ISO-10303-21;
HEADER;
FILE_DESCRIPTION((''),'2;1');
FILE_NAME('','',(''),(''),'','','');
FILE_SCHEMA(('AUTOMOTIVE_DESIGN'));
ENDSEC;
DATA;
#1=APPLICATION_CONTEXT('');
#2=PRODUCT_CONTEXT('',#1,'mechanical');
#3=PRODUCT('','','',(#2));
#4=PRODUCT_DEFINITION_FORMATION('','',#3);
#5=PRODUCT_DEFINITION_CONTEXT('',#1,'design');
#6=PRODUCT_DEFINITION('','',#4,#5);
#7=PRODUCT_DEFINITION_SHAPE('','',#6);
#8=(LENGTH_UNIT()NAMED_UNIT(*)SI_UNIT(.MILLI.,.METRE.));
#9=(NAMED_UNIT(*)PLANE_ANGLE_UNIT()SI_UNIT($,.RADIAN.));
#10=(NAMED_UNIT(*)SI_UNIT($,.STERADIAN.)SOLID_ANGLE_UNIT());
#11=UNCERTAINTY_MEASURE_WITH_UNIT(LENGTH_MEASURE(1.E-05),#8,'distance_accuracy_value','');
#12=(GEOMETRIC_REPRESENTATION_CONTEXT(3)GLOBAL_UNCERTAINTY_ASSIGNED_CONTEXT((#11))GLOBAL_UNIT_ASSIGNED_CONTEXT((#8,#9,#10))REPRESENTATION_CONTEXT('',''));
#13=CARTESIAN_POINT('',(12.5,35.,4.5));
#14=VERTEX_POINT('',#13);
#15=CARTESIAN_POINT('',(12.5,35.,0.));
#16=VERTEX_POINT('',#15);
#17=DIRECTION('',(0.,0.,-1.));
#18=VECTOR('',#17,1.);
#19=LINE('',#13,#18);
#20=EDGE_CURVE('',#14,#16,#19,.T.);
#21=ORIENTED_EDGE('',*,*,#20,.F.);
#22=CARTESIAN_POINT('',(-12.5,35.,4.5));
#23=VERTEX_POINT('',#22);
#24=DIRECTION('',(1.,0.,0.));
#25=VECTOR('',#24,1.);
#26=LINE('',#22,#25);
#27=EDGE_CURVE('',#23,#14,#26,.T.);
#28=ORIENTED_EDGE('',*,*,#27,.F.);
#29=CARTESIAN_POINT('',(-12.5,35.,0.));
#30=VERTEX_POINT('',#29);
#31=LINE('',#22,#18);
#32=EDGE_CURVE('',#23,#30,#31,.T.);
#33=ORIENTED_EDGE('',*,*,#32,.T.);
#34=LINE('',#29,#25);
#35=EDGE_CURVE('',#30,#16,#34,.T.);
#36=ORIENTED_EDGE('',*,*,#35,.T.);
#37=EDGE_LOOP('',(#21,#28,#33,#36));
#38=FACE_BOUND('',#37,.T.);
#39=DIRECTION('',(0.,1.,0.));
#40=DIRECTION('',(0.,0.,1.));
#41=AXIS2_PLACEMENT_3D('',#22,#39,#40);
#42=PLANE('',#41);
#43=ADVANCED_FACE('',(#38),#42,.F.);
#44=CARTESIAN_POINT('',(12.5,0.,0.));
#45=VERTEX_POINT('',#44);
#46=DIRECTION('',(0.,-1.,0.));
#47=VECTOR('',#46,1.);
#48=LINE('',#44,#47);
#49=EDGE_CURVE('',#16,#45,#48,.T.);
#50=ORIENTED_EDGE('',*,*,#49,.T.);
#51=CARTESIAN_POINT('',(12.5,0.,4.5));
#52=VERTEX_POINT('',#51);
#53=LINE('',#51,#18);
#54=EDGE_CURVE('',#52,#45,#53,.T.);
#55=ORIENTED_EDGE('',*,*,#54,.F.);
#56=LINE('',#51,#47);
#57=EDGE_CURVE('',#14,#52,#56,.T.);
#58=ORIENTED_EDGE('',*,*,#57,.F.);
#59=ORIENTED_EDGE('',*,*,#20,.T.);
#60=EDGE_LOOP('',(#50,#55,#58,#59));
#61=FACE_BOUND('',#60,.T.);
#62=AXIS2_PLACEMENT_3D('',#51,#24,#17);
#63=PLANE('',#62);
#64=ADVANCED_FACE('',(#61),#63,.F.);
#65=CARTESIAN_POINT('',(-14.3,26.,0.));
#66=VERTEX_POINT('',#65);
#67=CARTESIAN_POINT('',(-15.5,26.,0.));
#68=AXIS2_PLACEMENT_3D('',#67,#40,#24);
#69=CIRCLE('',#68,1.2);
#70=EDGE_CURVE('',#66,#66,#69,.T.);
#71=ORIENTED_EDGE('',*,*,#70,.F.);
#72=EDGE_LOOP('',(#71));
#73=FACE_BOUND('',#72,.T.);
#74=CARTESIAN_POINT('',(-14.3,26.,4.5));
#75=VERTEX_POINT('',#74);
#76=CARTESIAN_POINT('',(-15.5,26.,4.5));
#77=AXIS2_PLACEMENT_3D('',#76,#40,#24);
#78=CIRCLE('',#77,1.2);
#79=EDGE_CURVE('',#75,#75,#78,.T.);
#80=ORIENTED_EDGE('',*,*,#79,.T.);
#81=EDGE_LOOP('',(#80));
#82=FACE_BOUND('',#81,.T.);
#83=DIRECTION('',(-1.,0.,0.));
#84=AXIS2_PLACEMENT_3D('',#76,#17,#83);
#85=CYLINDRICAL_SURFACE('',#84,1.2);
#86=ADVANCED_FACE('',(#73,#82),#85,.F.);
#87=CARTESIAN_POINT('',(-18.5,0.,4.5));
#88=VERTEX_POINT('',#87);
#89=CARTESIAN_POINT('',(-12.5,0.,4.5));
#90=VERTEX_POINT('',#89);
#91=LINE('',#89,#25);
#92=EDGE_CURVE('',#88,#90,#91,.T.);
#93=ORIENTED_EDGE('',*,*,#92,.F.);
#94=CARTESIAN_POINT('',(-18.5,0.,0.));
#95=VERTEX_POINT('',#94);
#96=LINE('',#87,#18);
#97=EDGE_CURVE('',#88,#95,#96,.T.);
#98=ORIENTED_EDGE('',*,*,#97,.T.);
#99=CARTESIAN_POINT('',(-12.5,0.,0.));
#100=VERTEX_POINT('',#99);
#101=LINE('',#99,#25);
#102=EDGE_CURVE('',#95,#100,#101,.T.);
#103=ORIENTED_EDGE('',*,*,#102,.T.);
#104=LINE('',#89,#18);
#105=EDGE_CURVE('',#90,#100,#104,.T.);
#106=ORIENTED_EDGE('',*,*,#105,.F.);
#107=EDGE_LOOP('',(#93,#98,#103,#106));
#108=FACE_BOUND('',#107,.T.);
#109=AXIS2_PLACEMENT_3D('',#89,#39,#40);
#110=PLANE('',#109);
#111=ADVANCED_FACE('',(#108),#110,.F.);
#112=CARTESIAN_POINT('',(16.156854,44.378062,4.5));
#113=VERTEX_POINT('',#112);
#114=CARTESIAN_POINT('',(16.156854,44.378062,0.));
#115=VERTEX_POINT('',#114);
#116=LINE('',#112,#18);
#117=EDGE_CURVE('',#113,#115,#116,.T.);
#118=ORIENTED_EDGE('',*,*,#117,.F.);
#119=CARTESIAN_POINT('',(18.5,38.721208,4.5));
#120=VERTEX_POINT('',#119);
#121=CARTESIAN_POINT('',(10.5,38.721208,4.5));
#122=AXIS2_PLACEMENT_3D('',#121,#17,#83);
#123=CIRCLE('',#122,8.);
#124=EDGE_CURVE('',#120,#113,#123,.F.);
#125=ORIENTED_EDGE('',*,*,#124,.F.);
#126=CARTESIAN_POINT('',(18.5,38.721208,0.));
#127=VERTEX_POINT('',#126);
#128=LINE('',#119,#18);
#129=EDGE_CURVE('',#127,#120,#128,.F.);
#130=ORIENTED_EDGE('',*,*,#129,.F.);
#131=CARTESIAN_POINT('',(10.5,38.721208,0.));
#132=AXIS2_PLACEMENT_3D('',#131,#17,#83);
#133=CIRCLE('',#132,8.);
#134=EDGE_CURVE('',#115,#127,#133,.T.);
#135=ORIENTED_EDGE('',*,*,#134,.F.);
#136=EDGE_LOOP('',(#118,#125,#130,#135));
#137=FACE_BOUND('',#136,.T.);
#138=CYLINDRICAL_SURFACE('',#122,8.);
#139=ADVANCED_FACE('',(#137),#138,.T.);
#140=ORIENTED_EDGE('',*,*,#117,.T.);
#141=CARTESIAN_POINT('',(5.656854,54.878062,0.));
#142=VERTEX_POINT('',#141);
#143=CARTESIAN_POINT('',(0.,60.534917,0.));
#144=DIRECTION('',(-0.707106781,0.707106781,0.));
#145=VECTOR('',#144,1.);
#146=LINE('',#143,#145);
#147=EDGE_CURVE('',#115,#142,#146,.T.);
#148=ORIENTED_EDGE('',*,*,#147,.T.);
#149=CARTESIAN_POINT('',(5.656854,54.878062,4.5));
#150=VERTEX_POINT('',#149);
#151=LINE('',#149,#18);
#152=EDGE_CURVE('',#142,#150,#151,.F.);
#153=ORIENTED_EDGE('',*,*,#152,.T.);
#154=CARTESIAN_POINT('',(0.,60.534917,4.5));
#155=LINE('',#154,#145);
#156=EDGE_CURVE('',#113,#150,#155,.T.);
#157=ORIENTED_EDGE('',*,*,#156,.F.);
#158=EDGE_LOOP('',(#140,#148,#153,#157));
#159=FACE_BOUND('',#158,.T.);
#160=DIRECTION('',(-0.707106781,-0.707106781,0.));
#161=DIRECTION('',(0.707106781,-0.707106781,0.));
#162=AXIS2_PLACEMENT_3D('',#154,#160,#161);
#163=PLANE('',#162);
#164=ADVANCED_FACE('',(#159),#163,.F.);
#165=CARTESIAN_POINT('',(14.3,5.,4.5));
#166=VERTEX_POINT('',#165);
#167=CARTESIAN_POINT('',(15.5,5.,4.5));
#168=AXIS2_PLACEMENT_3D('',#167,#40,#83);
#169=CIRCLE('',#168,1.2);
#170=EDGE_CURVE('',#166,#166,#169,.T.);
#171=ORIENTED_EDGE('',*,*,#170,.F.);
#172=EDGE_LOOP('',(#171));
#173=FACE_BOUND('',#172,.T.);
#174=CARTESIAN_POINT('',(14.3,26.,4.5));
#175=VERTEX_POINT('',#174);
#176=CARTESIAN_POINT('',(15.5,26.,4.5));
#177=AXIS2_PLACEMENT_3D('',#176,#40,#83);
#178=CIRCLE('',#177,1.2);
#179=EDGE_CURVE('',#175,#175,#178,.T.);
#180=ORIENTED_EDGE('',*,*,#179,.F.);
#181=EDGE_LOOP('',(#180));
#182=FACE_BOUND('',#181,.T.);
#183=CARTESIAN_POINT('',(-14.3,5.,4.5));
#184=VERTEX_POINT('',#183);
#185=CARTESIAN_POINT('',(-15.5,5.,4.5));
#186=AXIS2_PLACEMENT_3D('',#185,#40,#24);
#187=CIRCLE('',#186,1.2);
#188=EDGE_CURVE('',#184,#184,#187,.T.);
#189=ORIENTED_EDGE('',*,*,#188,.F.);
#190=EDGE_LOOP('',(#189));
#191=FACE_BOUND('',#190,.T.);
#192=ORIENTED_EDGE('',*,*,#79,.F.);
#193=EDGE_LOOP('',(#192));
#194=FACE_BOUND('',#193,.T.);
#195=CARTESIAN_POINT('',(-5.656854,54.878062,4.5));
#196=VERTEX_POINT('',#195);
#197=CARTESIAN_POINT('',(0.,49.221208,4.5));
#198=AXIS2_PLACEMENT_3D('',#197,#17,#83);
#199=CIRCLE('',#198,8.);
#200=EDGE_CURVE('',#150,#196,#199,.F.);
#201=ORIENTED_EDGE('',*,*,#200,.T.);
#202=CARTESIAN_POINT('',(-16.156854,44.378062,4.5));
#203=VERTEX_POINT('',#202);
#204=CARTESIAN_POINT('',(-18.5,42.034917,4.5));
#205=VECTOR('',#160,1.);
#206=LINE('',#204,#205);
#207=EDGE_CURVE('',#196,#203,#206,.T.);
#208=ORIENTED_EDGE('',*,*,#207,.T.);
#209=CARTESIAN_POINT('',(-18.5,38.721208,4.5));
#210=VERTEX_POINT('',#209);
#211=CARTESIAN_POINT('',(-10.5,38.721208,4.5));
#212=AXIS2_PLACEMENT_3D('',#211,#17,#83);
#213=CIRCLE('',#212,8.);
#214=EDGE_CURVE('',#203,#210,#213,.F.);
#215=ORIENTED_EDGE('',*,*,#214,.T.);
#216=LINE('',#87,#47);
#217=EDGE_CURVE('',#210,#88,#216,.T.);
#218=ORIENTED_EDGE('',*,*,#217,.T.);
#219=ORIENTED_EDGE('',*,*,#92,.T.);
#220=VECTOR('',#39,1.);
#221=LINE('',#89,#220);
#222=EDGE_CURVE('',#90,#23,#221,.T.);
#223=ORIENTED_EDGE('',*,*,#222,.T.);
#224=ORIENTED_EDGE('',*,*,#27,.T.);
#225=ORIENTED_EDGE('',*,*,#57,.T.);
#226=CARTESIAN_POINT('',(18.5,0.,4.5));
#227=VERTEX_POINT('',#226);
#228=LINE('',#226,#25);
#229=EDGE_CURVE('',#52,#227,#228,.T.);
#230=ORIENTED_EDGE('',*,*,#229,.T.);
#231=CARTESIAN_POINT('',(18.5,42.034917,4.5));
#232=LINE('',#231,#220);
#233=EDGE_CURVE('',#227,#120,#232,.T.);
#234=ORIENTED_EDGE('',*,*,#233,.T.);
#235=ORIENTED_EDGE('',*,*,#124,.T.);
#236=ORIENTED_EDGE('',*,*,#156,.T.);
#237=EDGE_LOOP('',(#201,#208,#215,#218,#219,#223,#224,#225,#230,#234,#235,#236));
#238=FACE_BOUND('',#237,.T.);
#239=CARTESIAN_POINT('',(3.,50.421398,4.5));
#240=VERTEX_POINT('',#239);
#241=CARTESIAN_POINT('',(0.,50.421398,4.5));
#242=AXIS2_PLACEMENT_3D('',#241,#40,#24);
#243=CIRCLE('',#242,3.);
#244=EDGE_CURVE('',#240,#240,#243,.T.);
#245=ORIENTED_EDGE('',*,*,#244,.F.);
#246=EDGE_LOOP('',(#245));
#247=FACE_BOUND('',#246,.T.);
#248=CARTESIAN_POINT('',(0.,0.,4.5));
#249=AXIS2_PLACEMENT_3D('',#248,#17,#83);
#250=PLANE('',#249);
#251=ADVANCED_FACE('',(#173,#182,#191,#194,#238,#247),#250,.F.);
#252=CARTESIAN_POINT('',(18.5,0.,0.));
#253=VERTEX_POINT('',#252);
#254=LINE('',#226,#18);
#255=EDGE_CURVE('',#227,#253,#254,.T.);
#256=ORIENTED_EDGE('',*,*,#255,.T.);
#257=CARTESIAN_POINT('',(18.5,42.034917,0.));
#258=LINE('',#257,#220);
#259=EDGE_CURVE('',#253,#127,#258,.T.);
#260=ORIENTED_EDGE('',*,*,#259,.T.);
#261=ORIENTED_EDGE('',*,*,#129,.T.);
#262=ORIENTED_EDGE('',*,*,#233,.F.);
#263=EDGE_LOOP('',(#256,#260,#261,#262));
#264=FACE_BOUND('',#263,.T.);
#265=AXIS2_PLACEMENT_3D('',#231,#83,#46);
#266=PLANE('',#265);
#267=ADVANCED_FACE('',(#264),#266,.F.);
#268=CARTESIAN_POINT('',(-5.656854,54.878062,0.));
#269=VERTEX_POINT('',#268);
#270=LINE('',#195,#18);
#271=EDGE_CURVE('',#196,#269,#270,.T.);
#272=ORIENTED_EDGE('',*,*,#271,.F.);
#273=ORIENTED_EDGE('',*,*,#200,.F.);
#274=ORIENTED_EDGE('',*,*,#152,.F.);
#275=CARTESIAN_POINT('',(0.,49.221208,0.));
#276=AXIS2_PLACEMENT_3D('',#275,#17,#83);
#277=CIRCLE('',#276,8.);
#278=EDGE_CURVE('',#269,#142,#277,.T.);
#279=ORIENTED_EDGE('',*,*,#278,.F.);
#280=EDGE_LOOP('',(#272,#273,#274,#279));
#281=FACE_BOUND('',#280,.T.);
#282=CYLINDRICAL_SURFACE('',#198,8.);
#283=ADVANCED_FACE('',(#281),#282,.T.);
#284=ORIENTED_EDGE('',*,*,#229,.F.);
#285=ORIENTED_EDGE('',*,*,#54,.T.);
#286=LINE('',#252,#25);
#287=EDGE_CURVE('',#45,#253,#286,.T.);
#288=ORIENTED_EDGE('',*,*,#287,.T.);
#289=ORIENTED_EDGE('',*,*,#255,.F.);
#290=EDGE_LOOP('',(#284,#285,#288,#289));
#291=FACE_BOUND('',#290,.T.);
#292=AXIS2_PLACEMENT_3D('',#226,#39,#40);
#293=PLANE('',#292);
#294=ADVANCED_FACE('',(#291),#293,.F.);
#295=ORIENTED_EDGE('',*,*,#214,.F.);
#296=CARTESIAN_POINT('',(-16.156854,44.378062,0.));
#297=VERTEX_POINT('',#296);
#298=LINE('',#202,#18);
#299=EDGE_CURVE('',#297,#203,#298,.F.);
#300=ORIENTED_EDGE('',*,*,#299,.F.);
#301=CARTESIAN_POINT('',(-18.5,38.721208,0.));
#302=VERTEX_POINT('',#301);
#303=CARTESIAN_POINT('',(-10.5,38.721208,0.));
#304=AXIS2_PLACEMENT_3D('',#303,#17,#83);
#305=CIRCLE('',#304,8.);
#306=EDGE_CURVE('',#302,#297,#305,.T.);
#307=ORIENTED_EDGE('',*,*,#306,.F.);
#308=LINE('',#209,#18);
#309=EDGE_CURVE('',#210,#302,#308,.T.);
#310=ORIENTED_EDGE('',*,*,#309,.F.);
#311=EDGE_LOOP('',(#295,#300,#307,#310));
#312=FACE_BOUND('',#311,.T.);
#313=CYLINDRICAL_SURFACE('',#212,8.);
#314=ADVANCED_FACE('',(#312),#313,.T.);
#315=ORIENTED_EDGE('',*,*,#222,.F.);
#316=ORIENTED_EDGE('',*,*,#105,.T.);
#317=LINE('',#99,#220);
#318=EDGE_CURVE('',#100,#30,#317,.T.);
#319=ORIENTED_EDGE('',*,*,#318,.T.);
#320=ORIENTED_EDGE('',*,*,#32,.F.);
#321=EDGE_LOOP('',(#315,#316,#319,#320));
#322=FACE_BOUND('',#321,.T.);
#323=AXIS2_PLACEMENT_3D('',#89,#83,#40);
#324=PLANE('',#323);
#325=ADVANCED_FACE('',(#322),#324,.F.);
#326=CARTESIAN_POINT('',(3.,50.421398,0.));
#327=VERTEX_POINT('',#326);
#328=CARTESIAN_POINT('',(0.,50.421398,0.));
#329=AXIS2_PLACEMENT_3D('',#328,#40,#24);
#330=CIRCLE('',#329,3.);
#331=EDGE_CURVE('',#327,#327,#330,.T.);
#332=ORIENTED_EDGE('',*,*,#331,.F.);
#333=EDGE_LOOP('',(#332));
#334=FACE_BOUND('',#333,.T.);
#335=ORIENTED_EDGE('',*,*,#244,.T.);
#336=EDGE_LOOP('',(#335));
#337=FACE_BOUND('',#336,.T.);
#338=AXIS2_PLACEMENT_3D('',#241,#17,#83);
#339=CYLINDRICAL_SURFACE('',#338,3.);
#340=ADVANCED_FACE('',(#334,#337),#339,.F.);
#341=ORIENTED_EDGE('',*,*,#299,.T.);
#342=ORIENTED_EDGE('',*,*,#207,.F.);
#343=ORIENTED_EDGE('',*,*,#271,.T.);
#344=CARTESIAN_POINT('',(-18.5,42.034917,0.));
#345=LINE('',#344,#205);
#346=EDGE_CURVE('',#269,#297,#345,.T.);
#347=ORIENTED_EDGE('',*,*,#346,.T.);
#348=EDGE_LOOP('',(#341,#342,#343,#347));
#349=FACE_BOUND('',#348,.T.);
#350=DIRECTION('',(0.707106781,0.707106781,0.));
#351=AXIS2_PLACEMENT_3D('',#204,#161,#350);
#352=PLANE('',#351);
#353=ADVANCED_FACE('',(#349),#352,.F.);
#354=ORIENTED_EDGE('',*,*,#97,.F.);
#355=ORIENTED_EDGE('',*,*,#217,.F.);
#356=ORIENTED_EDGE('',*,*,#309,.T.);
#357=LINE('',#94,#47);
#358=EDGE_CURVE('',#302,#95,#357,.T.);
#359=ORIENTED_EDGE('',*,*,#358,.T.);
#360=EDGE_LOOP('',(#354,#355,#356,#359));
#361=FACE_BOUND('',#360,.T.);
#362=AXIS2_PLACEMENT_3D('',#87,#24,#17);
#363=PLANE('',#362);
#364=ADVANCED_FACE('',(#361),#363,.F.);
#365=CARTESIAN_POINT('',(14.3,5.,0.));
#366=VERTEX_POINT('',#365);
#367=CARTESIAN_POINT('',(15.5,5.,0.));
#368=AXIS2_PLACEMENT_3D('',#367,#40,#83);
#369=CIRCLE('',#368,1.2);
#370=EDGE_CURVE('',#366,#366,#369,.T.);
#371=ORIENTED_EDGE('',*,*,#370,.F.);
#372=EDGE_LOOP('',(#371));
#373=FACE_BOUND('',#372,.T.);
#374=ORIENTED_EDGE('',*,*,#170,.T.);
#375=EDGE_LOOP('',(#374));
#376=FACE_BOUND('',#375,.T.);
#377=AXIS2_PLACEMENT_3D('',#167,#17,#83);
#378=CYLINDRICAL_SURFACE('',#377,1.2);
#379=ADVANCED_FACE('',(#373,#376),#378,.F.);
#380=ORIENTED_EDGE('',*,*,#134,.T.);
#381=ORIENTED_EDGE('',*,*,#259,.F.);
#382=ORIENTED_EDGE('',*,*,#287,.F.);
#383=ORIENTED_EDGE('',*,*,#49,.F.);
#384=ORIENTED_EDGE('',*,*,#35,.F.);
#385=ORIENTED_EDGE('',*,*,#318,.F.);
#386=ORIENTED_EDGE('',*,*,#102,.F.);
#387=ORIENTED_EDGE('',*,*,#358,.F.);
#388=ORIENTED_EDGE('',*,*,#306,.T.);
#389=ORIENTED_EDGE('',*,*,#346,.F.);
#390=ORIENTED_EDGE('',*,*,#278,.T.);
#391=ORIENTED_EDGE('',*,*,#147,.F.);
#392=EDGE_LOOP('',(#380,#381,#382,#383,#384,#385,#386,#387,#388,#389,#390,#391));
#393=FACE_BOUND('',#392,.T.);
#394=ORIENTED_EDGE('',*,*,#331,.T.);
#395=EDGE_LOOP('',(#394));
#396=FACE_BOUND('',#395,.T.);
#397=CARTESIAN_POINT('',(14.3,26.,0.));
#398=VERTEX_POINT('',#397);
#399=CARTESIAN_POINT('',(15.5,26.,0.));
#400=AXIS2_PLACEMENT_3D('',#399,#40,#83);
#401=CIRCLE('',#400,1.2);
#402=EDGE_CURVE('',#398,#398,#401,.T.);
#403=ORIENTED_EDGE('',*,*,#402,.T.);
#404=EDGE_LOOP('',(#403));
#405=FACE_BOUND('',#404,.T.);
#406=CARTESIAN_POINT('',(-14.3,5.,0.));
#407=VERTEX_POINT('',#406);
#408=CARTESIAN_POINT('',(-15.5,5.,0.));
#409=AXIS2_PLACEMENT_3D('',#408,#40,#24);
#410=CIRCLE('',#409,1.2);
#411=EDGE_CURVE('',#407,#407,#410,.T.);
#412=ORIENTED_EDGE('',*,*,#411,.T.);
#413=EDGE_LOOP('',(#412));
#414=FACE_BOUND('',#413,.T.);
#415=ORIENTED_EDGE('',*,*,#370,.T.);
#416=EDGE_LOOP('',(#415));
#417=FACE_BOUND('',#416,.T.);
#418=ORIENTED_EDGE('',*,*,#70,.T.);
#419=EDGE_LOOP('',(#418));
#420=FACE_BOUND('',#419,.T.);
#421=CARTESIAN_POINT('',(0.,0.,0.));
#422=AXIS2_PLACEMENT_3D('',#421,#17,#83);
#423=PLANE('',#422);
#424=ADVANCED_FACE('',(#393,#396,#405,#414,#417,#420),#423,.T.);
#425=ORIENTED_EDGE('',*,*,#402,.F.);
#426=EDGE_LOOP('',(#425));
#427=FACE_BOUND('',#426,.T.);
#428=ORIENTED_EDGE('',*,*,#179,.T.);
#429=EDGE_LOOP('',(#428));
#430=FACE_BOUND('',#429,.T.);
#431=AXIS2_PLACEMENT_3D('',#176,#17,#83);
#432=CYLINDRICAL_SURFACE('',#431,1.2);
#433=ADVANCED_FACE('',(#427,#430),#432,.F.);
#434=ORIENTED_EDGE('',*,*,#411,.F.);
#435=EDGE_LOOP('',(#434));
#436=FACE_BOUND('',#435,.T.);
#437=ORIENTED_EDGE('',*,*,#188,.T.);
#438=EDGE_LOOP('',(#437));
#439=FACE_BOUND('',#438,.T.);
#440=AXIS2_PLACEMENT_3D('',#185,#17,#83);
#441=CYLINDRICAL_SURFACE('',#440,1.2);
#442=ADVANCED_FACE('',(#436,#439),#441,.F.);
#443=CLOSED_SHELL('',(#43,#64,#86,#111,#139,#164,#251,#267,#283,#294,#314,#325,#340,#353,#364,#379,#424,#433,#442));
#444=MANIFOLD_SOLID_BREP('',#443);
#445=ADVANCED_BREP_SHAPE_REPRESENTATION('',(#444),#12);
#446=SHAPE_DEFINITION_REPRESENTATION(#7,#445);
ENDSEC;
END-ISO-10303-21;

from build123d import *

# Parameters (mm, degrees)
SKETCH_1_R      = 3
SKETCH_1_R_2    = 1.2
EXTRUDE_1_DEPTH = 4.5
FILLET_1_R      = 8


with BuildPart() as part:
    # 草图1 → 凸台-拉伸1 (new body)
    with BuildSketch(Plane.XY):
        Polygon((-12.5, 0), (-18.5, 0), (-18.5, 42.034916596), (0, 60.534916596), (18.5, 42.034916596), (18.5, 0), (12.5, 0), (12.5, 35), (-12.5, 35), align=None)
        with Locations((0, 50.421397557)):
            Circle(SKETCH_1_R, mode=Mode.SUBTRACT)
        with Locations((-15.5, 5)):
            Circle(SKETCH_1_R_2, mode=Mode.SUBTRACT)
        with Locations((-15.5, 26)):
            Circle(SKETCH_1_R_2, mode=Mode.SUBTRACT)
        with Locations((15.5, 5)):
            Circle(SKETCH_1_R_2, mode=Mode.SUBTRACT)
        with Locations((15.5, 26)):
            Circle(SKETCH_1_R_2, mode=Mode.SUBTRACT)
    extrude(amount=EXTRUDE_1_DEPTH)

    # 圆角1
    fillet_1_edges = [part.edges().sort_by_distance(p)[0] for p in [
        (-18.5, 42.034916596, 2.25),
        (0, 60.534916596, 2.25),
        (18.5, 42.034916596, 2.25),
    ]]
    fillet(fillet_1_edges, radius=FILLET_1_R)


solid = part.part
